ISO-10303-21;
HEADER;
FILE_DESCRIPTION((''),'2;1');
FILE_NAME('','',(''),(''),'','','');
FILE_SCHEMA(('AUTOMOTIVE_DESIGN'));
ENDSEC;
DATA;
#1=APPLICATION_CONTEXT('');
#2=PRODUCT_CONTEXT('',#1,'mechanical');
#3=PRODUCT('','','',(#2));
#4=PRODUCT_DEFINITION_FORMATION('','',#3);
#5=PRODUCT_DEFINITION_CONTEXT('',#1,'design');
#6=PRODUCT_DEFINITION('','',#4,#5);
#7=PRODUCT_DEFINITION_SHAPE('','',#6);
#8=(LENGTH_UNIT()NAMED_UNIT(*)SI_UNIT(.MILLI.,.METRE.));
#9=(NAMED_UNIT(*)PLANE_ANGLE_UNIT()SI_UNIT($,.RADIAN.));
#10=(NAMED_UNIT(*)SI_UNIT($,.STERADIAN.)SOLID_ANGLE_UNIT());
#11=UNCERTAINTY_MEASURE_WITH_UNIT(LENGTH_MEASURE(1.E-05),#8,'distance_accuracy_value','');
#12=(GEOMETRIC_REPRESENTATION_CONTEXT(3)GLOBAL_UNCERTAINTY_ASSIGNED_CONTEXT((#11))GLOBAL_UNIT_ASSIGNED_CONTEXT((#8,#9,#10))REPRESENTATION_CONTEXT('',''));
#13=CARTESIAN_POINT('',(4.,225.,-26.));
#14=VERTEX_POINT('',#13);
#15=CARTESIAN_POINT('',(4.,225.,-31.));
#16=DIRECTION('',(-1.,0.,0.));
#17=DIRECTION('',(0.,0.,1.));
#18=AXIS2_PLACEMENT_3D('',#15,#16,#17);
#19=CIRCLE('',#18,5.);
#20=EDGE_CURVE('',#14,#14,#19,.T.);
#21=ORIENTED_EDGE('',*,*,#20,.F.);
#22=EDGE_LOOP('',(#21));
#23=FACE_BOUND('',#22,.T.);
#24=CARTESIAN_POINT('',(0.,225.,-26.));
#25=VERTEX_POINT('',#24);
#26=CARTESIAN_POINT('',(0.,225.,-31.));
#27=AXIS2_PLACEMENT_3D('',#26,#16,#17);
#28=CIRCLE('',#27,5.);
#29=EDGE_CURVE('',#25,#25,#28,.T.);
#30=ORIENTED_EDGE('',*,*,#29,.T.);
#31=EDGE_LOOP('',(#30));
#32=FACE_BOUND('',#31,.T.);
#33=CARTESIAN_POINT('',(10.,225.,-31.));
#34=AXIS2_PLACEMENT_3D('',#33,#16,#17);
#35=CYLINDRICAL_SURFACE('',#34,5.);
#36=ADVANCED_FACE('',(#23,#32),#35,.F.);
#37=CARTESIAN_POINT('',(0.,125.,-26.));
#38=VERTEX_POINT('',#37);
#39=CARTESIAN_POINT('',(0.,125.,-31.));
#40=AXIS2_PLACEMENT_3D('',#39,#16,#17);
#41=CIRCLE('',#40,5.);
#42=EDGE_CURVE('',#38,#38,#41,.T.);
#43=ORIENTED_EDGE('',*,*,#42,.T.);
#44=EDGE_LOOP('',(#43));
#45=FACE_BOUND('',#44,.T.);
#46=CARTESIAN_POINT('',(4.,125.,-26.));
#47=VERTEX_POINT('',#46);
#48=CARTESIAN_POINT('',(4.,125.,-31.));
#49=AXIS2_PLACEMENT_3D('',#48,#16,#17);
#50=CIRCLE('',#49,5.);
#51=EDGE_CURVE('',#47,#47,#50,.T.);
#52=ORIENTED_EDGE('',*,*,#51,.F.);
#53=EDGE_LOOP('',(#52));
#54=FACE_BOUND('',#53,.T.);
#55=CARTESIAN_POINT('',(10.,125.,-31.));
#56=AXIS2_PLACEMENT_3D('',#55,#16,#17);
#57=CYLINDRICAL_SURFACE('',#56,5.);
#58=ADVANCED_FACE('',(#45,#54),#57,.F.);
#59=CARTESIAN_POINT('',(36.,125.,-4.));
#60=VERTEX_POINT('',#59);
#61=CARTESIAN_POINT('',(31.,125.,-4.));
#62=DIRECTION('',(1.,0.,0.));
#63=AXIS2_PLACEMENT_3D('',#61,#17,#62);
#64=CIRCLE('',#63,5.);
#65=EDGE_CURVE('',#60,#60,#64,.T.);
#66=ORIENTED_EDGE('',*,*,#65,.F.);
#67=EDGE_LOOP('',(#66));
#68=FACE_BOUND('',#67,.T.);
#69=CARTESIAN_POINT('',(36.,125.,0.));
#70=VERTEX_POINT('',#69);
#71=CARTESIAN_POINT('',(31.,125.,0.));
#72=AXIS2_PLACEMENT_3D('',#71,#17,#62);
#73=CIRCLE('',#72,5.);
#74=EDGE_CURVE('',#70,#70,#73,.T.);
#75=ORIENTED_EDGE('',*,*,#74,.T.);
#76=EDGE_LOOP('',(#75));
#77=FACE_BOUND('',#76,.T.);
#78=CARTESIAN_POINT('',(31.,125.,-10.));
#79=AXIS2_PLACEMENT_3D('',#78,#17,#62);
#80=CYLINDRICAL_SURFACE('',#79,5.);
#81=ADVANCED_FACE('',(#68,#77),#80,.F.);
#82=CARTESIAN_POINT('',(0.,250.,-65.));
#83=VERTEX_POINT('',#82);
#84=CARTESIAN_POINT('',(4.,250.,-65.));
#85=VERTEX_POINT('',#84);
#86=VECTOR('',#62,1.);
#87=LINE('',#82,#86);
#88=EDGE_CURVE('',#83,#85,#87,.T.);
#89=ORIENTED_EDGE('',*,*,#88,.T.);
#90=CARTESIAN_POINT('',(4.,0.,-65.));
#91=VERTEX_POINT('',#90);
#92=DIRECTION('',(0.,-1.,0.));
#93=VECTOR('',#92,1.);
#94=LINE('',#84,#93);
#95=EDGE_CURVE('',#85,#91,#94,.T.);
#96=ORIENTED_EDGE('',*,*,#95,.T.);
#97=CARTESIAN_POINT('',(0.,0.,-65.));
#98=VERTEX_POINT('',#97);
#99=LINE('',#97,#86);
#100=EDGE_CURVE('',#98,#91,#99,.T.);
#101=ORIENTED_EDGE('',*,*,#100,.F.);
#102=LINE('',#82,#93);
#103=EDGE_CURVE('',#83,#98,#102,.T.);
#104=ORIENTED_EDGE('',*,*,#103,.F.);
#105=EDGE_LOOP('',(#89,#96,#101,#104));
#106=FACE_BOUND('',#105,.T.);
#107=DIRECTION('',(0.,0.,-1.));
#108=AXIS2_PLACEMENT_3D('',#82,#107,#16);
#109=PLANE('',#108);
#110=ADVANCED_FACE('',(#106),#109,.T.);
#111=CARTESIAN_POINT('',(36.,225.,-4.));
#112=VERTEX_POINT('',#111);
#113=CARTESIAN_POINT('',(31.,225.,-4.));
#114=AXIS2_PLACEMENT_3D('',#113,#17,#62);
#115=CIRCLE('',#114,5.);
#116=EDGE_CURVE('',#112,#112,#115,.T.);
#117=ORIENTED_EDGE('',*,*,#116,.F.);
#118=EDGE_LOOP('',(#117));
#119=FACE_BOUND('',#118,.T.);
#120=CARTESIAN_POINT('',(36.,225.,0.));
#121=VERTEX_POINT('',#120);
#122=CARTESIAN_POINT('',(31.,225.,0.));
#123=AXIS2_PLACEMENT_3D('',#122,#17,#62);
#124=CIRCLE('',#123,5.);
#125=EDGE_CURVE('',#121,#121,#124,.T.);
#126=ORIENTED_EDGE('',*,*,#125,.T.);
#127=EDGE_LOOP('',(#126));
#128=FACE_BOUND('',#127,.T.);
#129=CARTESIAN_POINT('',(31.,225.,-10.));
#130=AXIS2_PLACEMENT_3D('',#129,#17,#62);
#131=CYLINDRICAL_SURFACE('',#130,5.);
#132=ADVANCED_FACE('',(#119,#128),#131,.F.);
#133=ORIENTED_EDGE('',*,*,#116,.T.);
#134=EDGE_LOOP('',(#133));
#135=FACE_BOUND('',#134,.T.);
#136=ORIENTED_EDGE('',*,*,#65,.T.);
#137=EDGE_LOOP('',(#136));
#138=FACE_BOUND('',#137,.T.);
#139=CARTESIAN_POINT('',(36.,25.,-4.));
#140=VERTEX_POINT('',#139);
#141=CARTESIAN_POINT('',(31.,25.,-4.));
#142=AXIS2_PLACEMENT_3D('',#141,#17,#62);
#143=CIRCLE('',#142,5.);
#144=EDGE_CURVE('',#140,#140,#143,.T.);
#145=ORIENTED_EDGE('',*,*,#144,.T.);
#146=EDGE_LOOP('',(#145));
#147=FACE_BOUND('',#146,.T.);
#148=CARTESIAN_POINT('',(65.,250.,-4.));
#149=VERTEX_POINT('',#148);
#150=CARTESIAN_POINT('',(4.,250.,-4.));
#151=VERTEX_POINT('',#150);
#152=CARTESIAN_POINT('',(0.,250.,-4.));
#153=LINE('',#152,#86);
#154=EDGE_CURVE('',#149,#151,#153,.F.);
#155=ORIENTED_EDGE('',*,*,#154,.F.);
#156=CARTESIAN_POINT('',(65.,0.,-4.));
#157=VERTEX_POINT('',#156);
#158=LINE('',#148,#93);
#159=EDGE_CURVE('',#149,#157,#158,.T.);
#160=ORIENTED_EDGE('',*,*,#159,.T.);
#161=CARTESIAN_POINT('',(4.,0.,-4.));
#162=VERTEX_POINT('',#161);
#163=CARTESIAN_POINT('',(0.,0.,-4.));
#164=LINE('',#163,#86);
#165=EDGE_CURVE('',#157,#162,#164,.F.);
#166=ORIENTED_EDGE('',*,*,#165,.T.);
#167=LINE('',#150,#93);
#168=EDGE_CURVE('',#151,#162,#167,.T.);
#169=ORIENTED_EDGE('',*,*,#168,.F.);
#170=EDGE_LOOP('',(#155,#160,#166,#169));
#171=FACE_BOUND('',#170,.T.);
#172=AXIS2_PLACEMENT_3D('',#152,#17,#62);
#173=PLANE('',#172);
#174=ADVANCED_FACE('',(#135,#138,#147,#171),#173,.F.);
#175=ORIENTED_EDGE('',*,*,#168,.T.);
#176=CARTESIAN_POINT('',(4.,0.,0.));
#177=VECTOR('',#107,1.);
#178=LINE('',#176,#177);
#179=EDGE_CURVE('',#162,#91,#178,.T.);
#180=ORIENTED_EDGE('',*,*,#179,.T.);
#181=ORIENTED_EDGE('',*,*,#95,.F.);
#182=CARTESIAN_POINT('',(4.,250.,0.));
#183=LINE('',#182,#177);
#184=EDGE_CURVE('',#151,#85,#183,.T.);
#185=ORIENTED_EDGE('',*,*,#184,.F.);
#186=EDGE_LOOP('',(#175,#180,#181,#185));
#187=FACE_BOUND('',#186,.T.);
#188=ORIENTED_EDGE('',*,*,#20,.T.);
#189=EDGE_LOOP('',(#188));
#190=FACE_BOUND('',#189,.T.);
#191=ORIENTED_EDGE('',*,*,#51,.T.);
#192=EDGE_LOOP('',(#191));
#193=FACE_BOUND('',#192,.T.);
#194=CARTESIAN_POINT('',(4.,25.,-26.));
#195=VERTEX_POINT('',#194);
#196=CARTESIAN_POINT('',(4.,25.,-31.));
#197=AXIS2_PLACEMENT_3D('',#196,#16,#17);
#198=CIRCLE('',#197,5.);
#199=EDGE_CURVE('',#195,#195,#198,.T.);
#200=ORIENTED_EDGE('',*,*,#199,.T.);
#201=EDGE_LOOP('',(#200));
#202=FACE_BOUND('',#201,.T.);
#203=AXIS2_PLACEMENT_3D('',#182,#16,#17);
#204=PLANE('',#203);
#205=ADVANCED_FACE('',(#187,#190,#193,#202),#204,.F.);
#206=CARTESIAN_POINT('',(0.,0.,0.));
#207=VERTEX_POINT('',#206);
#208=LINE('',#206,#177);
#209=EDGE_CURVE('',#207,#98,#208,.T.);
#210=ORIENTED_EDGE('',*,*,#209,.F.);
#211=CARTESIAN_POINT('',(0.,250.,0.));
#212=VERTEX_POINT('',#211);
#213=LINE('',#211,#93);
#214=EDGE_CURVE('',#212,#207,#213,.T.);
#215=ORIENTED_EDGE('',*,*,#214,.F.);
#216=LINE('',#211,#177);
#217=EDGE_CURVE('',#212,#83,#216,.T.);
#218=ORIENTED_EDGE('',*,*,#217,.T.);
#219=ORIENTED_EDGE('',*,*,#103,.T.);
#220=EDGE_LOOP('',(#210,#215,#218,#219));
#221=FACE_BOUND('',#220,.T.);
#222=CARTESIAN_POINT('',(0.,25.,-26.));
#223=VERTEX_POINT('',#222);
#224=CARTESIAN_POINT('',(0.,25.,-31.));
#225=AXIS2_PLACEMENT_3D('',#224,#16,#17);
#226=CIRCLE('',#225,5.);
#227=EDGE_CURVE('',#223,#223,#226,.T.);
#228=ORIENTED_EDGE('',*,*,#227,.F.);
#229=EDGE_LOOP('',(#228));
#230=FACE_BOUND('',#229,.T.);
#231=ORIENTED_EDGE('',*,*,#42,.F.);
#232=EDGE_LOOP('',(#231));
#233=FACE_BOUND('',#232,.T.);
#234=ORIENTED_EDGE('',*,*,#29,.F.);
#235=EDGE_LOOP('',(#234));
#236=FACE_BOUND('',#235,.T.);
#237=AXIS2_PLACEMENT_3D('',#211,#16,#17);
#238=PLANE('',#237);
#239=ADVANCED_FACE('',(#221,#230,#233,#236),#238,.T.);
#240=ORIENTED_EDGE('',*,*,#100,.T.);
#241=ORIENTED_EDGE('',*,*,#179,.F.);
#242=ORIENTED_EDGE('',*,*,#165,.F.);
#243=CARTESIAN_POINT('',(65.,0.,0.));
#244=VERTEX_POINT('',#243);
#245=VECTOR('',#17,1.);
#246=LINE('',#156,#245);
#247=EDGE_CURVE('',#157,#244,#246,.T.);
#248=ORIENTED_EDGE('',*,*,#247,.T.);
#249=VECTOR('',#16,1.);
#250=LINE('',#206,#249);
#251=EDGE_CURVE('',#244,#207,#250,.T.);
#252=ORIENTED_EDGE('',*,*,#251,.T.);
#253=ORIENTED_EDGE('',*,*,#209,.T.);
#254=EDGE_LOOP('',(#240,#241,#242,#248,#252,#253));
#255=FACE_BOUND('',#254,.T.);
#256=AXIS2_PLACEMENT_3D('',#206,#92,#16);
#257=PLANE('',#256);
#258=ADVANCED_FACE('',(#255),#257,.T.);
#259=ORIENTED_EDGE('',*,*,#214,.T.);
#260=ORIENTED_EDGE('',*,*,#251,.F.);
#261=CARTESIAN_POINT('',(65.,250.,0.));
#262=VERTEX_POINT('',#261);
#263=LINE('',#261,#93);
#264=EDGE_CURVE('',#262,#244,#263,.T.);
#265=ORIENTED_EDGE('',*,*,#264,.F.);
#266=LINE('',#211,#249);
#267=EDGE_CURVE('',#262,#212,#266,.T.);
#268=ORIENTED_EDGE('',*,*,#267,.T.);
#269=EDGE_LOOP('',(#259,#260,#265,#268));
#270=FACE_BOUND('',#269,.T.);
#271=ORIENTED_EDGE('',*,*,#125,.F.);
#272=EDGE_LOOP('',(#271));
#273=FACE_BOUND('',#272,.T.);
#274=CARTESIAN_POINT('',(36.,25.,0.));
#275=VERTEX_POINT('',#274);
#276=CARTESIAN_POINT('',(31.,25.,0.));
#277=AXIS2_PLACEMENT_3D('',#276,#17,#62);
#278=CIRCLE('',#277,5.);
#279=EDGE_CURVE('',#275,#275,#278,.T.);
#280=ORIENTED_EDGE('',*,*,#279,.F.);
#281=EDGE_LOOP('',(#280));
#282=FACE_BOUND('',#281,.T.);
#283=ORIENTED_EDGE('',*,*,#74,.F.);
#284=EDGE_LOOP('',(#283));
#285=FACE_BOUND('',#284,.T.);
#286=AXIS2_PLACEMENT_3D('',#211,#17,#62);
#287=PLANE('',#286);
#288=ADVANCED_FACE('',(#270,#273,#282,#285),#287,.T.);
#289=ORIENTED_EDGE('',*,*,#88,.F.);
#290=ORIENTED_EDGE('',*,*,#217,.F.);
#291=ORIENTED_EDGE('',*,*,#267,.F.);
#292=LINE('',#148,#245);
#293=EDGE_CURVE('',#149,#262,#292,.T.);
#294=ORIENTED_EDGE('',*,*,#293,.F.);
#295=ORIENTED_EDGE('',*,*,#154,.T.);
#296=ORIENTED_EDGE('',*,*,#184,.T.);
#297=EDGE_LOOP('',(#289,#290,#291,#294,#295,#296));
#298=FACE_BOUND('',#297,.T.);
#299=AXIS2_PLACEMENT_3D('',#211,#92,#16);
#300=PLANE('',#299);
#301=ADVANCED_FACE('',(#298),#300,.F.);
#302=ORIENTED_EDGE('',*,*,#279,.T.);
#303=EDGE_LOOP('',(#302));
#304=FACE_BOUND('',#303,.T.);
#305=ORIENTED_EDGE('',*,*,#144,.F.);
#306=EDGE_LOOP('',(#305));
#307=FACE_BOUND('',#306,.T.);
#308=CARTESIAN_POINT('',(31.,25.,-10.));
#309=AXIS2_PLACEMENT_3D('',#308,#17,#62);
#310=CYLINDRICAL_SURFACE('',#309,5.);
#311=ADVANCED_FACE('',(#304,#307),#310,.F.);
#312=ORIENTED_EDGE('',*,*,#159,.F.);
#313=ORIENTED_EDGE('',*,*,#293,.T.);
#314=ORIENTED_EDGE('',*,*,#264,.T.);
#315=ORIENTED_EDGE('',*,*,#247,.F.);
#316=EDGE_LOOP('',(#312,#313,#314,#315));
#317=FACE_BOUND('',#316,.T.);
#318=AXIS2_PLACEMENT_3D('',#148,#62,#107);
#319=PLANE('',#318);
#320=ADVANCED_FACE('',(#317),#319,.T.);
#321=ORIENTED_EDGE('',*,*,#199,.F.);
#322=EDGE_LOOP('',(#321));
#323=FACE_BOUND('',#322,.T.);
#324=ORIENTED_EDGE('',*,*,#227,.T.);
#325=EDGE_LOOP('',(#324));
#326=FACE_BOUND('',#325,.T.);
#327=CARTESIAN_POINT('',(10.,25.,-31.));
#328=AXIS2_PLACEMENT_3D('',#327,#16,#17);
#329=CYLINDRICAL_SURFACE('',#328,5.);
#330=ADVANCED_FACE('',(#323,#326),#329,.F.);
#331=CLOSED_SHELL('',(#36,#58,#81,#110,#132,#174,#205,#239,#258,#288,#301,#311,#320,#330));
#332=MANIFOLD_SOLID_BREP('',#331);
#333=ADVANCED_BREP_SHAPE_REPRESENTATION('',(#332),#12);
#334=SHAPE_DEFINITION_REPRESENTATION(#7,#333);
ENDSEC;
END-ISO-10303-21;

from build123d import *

# Parameters (mm, degrees)
EXTRUDE_1_DEPTH     = 250
SKETCH_6_R          = 5
CUT_EXTRUDE_1_DEPTH = 10
SKETCH_7_R          = 5
CUT_EXTRUDE_2_DEPTH = 10


with BuildPart() as part:
    # Эскиз1 → Вытянуть-Тонкостенный1 (new body)
    with BuildSketch(Plane(origin=(0, 0, 0), x_dir=(1, 0, 0), z_dir=(0, 1, 0))):
        Polygon((0, 65), (0, 0), (65, 0), (65, 4), (4, 4), (4, 65), align=None)
    extrude(amount=EXTRUDE_1_DEPTH)

    # Эскиз6 → Вырез-Вытянуть1 (cut)
    with BuildSketch(Plane.ZY):
        with Locations((-31, 25)):
            Circle(SKETCH_6_R)
        with Locations((-31, 125)):
            Circle(SKETCH_6_R)
        with Locations((-31, 225)):
            Circle(SKETCH_6_R)
    extrude(amount=-CUT_EXTRUDE_1_DEPTH, mode=Mode.SUBTRACT)

    # Эскиз7 → Вырез-Вытянуть2 (cut)
    with BuildSketch(Plane.XY):
        with Locations((31, 25)):
            Circle(SKETCH_7_R)
        with Locations((31, 125)):
            Circle(SKETCH_7_R)
        with Locations((31, 225)):
            Circle(SKETCH_7_R)
    extrude(amount=-CUT_EXTRUDE_2_DEPTH, mode=Mode.SUBTRACT)


solid = part.part
